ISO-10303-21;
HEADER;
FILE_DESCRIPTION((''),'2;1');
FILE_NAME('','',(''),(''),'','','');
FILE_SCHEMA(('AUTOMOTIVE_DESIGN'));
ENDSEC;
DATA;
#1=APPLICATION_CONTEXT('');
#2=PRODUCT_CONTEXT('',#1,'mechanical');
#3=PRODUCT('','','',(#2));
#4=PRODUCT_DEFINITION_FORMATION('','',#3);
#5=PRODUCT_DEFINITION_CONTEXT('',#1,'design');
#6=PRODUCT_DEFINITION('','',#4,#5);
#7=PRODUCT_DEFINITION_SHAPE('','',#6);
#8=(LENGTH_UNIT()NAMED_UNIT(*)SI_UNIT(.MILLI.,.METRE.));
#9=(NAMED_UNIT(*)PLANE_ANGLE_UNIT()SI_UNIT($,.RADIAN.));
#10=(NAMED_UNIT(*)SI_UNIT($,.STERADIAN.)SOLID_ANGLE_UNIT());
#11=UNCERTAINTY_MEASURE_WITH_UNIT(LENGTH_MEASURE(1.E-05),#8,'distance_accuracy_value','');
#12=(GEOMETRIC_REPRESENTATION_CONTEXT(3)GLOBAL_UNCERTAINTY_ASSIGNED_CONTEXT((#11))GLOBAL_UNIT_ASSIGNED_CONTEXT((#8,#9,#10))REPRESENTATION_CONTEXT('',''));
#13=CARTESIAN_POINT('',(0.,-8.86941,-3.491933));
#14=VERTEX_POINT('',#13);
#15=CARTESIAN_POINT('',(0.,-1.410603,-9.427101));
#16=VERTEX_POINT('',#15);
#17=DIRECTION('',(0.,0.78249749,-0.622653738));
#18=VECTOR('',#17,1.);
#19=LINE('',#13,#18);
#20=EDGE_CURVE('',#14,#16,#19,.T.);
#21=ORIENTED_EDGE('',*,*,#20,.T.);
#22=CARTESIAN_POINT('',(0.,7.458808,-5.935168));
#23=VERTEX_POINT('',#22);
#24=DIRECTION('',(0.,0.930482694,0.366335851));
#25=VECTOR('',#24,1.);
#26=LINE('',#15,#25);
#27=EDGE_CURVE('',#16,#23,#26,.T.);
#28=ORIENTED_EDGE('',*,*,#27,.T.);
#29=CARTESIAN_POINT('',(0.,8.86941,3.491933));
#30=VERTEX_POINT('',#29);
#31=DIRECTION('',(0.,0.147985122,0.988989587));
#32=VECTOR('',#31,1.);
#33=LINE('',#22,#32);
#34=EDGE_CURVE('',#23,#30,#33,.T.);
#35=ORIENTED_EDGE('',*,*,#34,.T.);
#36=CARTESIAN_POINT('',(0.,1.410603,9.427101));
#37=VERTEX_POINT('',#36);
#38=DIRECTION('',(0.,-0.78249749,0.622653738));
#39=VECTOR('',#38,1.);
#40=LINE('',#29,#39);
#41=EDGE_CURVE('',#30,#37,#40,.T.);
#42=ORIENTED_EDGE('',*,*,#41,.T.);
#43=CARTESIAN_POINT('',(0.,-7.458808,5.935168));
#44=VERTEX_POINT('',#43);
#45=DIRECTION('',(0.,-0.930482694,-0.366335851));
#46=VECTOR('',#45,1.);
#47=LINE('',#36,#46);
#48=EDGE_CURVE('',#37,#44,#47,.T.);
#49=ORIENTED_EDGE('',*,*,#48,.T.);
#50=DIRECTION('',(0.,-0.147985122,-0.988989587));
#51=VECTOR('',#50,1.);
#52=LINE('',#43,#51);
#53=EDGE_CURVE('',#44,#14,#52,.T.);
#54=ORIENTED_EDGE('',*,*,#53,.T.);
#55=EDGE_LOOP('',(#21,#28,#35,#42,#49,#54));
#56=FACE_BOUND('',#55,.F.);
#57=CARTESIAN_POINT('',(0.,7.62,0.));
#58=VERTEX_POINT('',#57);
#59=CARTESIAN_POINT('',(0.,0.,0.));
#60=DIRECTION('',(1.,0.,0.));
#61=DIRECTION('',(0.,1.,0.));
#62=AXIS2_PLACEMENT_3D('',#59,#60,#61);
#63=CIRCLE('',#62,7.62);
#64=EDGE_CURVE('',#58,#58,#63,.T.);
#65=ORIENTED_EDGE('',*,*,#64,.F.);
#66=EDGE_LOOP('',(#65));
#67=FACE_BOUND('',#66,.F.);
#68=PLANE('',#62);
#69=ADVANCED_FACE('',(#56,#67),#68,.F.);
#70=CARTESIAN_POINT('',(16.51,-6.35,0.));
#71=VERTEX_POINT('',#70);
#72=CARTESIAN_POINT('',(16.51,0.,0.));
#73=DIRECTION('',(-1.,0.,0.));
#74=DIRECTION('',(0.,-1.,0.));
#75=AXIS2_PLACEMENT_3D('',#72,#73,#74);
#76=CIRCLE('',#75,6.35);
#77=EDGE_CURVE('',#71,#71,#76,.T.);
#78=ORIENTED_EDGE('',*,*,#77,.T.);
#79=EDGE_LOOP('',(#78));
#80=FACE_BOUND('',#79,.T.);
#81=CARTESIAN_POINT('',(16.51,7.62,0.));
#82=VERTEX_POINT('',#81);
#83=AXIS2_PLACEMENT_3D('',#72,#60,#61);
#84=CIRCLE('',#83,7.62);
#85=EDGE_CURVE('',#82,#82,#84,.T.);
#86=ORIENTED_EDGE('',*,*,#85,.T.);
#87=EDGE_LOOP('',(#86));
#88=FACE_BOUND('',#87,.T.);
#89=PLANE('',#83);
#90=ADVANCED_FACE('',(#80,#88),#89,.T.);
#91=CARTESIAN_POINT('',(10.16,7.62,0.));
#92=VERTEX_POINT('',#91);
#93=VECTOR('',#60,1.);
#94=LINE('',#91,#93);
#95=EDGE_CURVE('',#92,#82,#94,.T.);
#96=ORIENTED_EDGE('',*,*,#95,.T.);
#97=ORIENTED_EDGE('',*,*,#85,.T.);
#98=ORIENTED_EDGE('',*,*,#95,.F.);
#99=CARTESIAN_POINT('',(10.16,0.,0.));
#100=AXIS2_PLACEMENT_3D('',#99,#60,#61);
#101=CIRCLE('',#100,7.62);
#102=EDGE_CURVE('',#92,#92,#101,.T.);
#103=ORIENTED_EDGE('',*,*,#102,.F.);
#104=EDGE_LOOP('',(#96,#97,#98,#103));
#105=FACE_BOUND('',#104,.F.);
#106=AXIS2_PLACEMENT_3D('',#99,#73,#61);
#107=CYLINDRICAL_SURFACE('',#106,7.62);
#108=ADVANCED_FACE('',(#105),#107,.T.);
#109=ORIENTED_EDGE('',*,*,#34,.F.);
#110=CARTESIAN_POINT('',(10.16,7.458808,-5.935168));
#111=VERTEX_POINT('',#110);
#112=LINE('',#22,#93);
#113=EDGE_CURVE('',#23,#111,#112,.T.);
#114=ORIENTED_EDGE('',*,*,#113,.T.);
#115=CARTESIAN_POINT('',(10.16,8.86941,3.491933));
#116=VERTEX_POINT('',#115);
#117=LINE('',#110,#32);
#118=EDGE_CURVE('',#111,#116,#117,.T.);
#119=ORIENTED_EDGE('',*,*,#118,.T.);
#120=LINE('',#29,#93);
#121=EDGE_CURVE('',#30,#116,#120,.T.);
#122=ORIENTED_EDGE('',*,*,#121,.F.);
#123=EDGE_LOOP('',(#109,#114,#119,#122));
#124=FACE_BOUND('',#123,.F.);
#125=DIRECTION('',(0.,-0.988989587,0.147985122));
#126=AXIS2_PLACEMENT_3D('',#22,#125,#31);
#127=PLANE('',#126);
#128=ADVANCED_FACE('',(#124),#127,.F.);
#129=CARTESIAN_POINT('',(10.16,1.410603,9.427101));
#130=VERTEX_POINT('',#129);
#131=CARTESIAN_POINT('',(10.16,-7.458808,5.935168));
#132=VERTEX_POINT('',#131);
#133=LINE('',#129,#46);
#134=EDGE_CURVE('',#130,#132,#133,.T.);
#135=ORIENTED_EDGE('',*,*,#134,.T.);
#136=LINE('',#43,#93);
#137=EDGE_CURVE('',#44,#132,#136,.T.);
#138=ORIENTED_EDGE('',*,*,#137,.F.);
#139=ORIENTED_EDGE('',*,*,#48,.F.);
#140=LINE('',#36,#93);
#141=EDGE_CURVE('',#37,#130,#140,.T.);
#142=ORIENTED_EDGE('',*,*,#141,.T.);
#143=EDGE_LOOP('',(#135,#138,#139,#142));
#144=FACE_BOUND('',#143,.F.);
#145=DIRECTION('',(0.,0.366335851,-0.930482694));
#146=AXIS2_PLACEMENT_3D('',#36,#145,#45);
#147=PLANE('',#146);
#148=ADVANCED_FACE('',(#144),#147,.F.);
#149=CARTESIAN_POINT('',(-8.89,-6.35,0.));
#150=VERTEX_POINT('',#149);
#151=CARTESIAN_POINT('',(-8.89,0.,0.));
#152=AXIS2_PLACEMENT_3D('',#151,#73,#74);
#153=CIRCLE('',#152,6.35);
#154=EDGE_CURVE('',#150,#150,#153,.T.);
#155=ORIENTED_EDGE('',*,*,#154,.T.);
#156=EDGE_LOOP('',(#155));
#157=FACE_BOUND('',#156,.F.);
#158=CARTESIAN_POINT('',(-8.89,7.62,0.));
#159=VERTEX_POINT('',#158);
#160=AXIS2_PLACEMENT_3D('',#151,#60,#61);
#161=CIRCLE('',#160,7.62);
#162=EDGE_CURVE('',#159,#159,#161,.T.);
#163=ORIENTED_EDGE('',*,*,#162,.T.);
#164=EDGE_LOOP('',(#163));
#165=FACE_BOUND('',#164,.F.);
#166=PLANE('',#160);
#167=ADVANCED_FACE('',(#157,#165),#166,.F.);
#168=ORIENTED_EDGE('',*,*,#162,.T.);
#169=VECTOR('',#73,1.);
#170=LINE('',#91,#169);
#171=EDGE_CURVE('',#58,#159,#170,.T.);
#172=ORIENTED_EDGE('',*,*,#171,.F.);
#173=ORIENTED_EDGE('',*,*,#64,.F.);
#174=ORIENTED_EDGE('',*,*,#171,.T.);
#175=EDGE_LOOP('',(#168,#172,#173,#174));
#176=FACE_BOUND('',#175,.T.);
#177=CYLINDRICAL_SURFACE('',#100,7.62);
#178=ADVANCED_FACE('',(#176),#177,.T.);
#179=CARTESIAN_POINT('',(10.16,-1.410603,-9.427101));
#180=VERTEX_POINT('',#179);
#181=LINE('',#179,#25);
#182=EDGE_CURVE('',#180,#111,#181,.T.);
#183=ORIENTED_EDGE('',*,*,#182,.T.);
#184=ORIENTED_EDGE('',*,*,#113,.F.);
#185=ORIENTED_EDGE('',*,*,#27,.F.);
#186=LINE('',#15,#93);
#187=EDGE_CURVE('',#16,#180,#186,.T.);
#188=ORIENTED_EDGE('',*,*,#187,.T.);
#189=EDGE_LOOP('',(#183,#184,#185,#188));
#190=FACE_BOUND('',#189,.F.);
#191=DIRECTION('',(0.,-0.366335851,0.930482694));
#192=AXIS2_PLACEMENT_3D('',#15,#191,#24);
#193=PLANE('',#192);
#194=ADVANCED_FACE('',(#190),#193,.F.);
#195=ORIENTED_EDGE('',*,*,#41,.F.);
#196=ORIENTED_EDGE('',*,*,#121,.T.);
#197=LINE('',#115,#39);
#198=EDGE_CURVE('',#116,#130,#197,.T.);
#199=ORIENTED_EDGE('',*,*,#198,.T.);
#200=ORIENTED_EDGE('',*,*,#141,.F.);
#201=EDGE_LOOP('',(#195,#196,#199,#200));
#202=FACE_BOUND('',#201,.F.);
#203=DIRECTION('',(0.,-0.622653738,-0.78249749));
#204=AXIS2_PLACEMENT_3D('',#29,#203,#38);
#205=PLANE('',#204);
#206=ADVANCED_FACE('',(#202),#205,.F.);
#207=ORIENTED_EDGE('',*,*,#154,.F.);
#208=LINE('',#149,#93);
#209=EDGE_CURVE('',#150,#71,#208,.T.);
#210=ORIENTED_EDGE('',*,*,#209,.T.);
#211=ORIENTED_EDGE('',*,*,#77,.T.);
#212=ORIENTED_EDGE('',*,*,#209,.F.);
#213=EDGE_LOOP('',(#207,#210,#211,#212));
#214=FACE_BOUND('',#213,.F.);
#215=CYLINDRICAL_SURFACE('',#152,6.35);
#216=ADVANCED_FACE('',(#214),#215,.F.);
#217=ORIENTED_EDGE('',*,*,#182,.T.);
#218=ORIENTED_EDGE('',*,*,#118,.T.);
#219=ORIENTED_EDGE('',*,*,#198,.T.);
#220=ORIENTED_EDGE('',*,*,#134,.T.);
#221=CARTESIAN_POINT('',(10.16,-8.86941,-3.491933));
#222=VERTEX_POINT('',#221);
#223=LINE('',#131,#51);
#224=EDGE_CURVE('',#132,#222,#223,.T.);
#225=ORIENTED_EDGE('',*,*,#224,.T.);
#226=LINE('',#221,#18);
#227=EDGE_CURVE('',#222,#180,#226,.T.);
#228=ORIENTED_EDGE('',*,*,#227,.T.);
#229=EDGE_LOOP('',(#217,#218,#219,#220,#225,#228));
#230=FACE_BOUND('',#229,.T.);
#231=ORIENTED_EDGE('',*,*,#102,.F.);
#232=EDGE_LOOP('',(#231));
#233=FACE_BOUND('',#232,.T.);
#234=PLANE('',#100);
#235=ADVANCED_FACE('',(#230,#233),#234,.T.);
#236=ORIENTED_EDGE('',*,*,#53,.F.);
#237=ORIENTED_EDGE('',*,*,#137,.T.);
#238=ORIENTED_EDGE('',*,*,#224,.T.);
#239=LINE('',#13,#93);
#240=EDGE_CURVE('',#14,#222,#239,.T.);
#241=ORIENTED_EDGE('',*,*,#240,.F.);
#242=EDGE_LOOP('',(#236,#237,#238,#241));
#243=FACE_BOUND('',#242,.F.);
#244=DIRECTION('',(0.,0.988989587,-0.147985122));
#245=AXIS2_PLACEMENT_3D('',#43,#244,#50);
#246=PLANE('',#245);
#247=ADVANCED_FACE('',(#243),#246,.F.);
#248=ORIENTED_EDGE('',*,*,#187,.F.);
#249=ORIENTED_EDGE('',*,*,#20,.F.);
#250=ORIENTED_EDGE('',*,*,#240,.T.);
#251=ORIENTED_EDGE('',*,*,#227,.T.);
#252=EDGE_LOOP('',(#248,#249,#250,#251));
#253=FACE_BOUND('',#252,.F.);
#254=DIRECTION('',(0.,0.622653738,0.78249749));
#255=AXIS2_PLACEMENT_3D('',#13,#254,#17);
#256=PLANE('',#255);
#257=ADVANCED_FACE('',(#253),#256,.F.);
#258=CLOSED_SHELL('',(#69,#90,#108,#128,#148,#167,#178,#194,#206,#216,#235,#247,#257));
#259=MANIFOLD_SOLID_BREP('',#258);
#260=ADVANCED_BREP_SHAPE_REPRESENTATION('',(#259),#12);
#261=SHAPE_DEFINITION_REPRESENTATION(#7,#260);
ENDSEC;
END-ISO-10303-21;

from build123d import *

# Parameters (mm, degrees)
F1_DEPTH      = 10.16
F2_R          = 7.62
F3_DEPTH      = 6.35
F3_DEPTH_BACK = 19.05
F4_R          = 6.35
F5_DEPTH      = 25.401


with BuildPart() as f1:
    # F0 (on Right) → F1 (new body)
    with BuildSketch(Plane.YZ):
        Polygon((1.410603, 9.427101), (-7.458808, 5.935168), (-8.86941, -3.491933), (-1.410603, -9.427101), (7.458808, -5.935168), (8.86941, 3.491933), align=None)
    extrude(amount=F1_DEPTH)

    # F2 (on face) → F3 (join, two sides)
    with BuildSketch(Plane.YZ.offset(10.16)) as f3_sk:
        Circle(F2_R)
    extrude(amount=F3_DEPTH)
    extrude(f3_sk.sketch, amount=-F3_DEPTH_BACK)

    # F4 (on face) → F5 (cut, through all)
    with BuildSketch(Plane(origin=(-8.89, 0, 0), x_dir=(0, -1, 0), z_dir=(-1, 0, 0))):
        Circle(F4_R)
    extrude(amount=-F5_DEPTH, mode=Mode.SUBTRACT)


solid = f1.part
